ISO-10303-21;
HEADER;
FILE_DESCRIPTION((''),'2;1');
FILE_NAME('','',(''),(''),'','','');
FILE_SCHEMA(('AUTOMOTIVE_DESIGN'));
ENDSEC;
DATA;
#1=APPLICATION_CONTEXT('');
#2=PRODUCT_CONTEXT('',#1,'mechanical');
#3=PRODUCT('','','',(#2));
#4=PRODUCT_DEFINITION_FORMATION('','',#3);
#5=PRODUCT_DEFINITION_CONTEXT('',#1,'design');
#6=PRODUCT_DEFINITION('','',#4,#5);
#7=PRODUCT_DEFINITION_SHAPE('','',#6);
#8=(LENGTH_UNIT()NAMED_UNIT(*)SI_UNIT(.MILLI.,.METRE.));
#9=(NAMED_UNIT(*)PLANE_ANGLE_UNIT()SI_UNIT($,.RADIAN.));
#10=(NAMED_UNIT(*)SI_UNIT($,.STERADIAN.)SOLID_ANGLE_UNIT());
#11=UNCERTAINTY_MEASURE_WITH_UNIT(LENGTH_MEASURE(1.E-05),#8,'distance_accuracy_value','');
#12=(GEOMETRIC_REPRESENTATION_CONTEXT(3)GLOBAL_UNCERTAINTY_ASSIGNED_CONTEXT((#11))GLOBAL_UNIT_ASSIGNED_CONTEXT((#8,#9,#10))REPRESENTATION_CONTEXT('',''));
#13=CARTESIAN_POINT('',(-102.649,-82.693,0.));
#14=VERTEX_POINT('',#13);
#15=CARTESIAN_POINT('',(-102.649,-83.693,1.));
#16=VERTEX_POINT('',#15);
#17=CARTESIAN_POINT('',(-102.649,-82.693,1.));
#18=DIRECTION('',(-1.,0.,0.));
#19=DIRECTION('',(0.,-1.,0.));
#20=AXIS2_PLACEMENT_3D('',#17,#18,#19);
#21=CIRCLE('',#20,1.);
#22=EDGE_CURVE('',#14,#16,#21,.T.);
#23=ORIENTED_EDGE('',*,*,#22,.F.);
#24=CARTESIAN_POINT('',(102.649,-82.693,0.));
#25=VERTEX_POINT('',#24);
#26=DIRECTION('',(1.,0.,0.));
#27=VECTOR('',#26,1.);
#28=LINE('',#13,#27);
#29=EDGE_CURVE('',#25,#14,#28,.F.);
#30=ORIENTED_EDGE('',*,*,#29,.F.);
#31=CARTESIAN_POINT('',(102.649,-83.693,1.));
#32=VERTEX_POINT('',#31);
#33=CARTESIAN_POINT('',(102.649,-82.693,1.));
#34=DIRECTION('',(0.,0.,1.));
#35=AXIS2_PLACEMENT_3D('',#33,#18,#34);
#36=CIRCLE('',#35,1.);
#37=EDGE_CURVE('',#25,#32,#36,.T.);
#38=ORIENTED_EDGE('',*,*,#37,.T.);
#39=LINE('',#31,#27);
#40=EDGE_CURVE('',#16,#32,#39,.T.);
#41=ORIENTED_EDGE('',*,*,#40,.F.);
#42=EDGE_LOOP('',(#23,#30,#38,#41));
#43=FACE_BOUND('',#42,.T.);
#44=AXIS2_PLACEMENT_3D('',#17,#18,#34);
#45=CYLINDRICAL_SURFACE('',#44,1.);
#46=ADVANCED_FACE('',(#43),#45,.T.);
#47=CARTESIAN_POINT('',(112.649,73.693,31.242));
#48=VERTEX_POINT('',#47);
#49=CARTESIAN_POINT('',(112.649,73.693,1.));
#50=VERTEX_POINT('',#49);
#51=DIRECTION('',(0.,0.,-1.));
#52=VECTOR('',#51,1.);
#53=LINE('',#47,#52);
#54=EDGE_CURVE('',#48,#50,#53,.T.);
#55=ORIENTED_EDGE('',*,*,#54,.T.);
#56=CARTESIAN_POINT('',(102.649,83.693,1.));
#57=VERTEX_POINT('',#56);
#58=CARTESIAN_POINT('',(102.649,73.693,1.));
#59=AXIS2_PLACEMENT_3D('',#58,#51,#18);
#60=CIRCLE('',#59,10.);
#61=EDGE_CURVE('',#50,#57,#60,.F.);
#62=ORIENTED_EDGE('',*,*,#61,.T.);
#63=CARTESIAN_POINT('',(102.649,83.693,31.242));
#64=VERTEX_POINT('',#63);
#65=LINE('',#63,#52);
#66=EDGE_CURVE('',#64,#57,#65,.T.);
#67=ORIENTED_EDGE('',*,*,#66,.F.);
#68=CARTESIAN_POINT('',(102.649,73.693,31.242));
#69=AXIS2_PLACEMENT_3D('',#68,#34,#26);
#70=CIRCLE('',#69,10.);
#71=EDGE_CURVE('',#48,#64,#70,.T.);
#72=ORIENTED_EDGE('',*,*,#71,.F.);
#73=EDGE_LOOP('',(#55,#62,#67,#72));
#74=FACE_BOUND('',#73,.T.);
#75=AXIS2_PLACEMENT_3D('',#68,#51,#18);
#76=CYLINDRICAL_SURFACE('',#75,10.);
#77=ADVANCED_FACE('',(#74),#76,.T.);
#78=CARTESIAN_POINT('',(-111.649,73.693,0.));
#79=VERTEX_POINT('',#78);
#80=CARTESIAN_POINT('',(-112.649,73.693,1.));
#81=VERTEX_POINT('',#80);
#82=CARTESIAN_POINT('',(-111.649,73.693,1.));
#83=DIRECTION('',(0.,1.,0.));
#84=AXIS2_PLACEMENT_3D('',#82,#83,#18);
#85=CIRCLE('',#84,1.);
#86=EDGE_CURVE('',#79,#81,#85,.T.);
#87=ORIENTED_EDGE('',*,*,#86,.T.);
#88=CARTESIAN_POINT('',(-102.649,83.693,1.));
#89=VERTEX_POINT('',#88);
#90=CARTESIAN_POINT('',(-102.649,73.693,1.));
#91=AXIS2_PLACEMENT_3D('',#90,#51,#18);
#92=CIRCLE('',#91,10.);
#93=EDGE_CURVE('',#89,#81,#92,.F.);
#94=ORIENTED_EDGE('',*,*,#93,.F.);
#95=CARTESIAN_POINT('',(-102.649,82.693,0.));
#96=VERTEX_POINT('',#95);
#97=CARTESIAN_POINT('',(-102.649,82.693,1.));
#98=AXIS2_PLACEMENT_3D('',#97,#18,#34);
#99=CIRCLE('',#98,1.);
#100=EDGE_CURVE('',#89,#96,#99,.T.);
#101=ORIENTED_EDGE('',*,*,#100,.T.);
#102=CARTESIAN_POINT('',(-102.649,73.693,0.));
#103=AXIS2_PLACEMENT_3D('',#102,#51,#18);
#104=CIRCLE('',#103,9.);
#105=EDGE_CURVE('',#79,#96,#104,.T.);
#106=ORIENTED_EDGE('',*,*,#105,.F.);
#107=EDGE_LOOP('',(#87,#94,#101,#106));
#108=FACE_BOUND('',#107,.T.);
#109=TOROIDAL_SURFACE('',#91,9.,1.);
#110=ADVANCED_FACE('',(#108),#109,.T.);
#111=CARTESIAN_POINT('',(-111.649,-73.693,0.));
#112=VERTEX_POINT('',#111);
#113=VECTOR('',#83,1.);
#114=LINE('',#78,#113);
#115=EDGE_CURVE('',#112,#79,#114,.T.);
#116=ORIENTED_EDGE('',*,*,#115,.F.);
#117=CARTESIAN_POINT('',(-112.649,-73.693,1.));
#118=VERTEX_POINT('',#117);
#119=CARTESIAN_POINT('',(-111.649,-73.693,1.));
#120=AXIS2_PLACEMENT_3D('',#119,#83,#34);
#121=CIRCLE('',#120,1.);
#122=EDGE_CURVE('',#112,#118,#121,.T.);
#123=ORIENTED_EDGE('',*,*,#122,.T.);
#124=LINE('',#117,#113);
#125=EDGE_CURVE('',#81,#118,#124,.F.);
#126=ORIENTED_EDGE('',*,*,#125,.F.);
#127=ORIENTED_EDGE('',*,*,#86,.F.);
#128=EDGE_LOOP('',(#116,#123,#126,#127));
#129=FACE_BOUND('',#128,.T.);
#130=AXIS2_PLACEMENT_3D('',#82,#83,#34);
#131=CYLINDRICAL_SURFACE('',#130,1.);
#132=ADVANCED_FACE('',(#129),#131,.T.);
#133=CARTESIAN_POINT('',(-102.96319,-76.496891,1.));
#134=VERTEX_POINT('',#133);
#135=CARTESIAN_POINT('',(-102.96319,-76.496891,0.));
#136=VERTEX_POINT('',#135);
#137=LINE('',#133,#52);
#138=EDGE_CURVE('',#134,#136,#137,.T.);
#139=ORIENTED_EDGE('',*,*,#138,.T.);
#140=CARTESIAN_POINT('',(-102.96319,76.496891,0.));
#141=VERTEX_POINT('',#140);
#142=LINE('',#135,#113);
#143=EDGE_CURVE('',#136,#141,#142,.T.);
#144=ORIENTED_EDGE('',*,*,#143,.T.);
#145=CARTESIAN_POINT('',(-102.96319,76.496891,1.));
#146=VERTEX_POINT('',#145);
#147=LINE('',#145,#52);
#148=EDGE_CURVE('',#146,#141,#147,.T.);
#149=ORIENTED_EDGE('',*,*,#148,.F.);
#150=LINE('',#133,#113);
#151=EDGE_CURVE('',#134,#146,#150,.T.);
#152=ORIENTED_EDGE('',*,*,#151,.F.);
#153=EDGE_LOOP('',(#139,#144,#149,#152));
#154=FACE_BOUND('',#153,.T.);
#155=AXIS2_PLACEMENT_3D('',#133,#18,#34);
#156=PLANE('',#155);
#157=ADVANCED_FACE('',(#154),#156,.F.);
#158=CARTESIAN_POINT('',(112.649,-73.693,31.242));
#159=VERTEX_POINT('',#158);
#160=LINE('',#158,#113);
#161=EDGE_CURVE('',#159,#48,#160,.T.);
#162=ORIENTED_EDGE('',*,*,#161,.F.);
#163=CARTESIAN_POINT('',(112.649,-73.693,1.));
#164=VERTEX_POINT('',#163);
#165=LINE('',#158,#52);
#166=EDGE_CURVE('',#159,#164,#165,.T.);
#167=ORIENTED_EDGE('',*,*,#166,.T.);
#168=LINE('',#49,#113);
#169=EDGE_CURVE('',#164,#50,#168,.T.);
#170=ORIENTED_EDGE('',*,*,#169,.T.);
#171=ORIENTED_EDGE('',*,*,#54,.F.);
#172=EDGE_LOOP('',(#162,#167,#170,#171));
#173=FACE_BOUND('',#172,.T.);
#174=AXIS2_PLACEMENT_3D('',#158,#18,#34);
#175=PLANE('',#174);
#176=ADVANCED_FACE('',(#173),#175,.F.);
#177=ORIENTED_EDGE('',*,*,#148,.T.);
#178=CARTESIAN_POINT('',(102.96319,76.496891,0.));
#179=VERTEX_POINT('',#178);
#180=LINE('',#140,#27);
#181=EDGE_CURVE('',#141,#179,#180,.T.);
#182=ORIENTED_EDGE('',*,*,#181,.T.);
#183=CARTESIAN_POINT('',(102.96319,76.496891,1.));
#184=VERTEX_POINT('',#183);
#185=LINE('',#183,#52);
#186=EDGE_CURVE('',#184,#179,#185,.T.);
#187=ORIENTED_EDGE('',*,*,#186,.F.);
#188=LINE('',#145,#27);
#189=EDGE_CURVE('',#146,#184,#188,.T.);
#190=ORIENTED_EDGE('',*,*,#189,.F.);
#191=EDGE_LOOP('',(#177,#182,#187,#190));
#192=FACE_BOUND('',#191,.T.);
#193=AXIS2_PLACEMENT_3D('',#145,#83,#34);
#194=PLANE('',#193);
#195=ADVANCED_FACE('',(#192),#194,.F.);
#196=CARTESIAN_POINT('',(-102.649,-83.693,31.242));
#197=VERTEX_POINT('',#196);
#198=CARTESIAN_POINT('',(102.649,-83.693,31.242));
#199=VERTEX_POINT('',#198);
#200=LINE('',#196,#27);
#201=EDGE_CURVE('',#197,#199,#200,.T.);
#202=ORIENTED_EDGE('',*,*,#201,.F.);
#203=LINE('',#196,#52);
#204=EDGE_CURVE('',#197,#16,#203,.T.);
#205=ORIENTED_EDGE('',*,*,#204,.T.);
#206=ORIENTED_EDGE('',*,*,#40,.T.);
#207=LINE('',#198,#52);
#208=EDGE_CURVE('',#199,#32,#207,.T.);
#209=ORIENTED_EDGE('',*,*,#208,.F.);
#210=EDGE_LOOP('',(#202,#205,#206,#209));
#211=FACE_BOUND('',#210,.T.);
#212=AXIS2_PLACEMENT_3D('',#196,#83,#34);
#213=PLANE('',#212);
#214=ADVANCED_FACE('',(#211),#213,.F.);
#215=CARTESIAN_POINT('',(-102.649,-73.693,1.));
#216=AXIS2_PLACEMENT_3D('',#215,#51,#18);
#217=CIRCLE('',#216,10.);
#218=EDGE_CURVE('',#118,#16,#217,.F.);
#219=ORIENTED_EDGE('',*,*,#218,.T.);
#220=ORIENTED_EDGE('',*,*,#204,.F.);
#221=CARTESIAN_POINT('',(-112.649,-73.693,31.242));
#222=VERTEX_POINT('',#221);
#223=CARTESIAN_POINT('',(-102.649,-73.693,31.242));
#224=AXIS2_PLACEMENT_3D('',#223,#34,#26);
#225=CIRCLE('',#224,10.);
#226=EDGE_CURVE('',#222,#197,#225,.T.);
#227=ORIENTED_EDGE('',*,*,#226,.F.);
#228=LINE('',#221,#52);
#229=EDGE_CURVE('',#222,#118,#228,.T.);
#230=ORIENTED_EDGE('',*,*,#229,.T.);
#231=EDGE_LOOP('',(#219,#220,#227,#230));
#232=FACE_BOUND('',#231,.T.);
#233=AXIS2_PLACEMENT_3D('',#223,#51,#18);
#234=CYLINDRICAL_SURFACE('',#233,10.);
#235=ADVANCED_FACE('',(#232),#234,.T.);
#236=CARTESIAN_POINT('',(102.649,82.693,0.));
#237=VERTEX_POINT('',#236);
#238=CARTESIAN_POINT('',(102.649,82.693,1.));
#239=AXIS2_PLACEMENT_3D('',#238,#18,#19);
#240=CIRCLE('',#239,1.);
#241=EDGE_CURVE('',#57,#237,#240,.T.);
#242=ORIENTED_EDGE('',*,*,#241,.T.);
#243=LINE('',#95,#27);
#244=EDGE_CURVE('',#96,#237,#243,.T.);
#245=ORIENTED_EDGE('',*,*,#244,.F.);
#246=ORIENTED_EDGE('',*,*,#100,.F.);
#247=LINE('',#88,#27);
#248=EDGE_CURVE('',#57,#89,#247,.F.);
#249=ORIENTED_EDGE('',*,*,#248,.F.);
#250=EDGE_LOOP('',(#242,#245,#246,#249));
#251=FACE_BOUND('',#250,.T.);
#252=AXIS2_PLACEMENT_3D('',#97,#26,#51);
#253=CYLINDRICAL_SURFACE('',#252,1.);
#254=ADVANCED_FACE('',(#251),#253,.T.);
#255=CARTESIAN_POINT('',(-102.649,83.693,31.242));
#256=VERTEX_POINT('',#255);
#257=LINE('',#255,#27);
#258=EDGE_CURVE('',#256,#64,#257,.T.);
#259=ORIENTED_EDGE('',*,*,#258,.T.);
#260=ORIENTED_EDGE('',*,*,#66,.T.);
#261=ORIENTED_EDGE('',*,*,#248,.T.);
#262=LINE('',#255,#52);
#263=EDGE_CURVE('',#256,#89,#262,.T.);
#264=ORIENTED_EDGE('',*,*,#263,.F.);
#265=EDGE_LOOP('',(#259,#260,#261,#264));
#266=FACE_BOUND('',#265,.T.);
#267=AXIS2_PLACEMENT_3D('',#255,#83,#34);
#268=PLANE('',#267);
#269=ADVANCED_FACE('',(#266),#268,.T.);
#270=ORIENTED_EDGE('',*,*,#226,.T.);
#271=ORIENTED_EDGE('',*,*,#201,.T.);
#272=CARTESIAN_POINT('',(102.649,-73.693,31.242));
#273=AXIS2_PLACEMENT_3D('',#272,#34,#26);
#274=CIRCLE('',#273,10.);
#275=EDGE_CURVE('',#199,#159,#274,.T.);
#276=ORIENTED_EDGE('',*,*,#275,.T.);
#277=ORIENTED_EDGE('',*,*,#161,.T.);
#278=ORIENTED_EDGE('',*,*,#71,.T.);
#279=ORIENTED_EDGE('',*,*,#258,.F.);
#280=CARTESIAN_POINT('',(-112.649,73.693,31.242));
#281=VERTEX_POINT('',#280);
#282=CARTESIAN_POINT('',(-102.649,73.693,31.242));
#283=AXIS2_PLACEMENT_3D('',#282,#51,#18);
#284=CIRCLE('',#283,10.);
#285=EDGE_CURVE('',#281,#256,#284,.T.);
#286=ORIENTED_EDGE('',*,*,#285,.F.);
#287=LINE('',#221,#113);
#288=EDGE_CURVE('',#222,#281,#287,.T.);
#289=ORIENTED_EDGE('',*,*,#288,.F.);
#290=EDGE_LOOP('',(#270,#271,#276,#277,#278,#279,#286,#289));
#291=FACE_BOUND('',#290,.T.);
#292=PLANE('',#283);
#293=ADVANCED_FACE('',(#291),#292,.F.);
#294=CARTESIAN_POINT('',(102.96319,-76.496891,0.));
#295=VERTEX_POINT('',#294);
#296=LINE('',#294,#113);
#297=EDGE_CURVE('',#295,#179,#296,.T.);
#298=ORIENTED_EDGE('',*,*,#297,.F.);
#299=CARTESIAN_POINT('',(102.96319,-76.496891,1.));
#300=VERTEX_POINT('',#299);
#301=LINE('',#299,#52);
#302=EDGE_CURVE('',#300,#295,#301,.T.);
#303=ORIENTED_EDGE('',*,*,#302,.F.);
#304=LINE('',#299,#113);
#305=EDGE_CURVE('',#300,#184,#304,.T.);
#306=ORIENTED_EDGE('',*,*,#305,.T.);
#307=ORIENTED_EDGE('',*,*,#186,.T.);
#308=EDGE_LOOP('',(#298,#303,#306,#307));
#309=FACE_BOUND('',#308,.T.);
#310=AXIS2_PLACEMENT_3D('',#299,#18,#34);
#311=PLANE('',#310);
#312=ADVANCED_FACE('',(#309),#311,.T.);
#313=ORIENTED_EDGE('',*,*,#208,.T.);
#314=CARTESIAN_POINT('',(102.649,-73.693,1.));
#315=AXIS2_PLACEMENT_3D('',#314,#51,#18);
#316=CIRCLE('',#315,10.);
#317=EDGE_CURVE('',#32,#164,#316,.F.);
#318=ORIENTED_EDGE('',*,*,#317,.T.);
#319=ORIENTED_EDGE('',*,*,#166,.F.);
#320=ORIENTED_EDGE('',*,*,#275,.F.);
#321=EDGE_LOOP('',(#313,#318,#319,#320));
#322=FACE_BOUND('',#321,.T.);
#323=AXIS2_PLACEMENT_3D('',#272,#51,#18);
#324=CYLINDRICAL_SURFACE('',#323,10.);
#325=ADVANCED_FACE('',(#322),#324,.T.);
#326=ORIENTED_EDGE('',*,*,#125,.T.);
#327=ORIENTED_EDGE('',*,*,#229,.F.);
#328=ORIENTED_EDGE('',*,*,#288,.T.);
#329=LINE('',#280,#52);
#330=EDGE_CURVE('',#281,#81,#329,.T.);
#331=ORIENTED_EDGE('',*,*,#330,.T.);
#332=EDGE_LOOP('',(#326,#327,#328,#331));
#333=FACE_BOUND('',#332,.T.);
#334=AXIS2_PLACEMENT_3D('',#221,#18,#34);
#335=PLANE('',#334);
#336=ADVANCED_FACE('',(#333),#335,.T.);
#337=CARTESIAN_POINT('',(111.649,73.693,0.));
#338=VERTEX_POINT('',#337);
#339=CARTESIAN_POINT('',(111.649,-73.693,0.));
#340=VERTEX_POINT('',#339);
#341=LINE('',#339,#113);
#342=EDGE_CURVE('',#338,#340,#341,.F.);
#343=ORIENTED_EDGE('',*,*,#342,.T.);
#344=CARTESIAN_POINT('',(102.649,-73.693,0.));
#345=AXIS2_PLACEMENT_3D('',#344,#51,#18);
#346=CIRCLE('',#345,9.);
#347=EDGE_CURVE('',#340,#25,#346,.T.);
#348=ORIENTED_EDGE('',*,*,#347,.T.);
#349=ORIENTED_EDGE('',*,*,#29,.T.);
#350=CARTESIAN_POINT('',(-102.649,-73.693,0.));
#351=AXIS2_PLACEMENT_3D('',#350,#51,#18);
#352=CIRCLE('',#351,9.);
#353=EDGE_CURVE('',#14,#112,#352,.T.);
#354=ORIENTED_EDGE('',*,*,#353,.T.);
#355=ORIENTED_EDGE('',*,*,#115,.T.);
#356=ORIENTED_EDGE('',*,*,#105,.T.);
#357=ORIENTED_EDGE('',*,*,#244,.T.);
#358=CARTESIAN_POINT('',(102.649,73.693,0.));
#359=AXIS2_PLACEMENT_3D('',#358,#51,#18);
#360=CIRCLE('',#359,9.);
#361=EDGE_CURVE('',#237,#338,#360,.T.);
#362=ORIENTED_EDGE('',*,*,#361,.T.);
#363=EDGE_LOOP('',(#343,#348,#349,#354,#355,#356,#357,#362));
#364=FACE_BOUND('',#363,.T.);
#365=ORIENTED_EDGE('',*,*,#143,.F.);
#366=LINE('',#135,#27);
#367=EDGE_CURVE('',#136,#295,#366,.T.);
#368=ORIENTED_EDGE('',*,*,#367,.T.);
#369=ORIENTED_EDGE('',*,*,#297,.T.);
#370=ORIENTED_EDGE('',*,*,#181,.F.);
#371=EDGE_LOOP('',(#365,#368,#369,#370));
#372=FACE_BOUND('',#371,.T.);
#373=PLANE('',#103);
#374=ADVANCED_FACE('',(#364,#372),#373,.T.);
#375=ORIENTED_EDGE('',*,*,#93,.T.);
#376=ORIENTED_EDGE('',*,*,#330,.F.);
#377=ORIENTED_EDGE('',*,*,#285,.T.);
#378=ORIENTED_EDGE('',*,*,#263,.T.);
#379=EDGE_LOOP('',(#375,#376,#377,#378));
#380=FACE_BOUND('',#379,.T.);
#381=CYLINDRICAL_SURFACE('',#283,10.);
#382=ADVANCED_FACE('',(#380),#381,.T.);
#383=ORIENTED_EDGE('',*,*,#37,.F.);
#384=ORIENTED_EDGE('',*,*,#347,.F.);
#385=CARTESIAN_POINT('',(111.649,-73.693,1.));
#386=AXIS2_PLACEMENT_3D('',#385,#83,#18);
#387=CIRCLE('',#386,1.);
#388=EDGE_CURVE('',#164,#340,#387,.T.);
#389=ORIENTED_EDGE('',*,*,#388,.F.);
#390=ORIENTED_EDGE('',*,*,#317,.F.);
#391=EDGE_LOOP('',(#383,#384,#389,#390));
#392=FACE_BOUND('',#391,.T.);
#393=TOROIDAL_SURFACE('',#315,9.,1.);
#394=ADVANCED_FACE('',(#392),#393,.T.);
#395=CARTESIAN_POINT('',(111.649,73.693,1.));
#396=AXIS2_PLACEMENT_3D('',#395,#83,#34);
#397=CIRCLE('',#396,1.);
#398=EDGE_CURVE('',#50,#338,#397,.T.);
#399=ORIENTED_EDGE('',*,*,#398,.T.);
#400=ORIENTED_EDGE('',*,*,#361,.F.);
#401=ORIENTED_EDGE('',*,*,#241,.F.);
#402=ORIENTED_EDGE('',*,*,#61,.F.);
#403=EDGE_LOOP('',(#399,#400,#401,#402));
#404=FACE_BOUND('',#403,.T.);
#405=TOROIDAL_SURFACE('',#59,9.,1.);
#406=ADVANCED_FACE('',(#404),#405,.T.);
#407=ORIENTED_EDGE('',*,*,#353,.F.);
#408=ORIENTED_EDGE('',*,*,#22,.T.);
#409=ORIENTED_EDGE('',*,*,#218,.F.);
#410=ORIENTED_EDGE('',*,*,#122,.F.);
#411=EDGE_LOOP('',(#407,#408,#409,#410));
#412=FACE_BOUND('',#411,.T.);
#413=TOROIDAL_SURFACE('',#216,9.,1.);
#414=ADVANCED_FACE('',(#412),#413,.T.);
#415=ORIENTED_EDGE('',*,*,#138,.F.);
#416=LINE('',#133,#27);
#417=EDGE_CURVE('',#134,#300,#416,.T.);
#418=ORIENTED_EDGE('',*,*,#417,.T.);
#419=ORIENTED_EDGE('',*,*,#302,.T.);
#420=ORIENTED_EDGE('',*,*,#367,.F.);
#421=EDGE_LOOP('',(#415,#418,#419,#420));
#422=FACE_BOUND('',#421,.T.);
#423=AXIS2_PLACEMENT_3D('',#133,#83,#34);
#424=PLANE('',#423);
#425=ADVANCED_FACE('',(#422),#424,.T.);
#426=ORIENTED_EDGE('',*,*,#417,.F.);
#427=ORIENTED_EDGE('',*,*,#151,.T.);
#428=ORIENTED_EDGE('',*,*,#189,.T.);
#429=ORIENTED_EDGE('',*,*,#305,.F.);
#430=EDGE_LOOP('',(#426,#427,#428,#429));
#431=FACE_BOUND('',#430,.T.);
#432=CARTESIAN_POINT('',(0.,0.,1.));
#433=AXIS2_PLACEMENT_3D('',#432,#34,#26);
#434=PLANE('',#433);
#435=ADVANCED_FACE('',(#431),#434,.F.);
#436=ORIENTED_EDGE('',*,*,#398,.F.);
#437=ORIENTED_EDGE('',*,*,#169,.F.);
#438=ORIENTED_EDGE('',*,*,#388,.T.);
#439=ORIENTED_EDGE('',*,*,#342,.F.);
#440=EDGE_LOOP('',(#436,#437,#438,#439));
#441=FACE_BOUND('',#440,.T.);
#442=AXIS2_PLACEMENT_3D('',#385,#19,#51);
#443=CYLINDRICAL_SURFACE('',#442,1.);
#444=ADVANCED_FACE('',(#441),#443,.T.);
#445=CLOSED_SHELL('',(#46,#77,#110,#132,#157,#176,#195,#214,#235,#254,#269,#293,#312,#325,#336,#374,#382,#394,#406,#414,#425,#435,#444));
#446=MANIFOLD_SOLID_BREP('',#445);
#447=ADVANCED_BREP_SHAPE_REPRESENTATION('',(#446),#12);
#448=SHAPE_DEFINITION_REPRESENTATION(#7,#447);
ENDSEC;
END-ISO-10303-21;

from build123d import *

# Parameters (mm, degrees)
BOSS_EXTRU_2_DEPTH      = 31.242
ESQUISSE1_6_W           = 205.926380568
ESQUISSE1_6_H           = 152.99378218
ENL_V_MAT_EXTRU_3_DEPTH = 1
CONG_2_R                = 1


with BuildPart() as part:
    # Esquisse1 → Boss.-Extru.2 (new body)
    with BuildSketch(Plane.XY):
        with BuildLine():
            Line((-102.649, -83.693), (102.649, -83.693))
            ThreePointArc((102.649, -83.693), (109.720067812, -80.764067812), (112.649, -73.693))
            Line((112.649, -73.693), (112.649, 73.693))
            ThreePointArc((112.649, 73.693), (109.720067812, 80.764067812), (102.649, 83.693))
            Line((102.649, 83.693), (-102.649, 83.693))
            ThreePointArc((-102.649, 83.693), (-109.720067812, 80.764067812), (-112.649, 73.693))
            Line((-112.649, 73.693), (-112.649, -73.693))
            ThreePointArc((-112.649, -73.693), (-109.720067812, -80.764067812), (-102.649, -83.693))
        make_face()
    extrude(amount=BOSS_EXTRU_2_DEPTH)

    # Esquisse1_6 → Enl_v. mat.-Extru.3 (cut)
    with BuildSketch(Plane.XY):
        Rectangle(ESQUISSE1_6_W, ESQUISSE1_6_H)
    extrude(amount=ENL_V_MAT_EXTRU_3_DEPTH, mode=Mode.SUBTRACT)

    # Cong_2
    cong_2_edges = [part.edges().sort_by_distance(p)[0] for p in [
        (112.649, 0, 0),
        (109.720067812, 80.764067812, 0),
        (0, 83.693, 0),
        (-109.720067812, 80.764067812, 0),
        (-112.649, 0, 0),
        (-109.720067812, -80.764067812, 0),
        (0, -83.693, 0),
        (109.720067812, -80.764067812, 0),
    ]]
    fillet(cong_2_edges, radius=CONG_2_R)


solid = part.part
